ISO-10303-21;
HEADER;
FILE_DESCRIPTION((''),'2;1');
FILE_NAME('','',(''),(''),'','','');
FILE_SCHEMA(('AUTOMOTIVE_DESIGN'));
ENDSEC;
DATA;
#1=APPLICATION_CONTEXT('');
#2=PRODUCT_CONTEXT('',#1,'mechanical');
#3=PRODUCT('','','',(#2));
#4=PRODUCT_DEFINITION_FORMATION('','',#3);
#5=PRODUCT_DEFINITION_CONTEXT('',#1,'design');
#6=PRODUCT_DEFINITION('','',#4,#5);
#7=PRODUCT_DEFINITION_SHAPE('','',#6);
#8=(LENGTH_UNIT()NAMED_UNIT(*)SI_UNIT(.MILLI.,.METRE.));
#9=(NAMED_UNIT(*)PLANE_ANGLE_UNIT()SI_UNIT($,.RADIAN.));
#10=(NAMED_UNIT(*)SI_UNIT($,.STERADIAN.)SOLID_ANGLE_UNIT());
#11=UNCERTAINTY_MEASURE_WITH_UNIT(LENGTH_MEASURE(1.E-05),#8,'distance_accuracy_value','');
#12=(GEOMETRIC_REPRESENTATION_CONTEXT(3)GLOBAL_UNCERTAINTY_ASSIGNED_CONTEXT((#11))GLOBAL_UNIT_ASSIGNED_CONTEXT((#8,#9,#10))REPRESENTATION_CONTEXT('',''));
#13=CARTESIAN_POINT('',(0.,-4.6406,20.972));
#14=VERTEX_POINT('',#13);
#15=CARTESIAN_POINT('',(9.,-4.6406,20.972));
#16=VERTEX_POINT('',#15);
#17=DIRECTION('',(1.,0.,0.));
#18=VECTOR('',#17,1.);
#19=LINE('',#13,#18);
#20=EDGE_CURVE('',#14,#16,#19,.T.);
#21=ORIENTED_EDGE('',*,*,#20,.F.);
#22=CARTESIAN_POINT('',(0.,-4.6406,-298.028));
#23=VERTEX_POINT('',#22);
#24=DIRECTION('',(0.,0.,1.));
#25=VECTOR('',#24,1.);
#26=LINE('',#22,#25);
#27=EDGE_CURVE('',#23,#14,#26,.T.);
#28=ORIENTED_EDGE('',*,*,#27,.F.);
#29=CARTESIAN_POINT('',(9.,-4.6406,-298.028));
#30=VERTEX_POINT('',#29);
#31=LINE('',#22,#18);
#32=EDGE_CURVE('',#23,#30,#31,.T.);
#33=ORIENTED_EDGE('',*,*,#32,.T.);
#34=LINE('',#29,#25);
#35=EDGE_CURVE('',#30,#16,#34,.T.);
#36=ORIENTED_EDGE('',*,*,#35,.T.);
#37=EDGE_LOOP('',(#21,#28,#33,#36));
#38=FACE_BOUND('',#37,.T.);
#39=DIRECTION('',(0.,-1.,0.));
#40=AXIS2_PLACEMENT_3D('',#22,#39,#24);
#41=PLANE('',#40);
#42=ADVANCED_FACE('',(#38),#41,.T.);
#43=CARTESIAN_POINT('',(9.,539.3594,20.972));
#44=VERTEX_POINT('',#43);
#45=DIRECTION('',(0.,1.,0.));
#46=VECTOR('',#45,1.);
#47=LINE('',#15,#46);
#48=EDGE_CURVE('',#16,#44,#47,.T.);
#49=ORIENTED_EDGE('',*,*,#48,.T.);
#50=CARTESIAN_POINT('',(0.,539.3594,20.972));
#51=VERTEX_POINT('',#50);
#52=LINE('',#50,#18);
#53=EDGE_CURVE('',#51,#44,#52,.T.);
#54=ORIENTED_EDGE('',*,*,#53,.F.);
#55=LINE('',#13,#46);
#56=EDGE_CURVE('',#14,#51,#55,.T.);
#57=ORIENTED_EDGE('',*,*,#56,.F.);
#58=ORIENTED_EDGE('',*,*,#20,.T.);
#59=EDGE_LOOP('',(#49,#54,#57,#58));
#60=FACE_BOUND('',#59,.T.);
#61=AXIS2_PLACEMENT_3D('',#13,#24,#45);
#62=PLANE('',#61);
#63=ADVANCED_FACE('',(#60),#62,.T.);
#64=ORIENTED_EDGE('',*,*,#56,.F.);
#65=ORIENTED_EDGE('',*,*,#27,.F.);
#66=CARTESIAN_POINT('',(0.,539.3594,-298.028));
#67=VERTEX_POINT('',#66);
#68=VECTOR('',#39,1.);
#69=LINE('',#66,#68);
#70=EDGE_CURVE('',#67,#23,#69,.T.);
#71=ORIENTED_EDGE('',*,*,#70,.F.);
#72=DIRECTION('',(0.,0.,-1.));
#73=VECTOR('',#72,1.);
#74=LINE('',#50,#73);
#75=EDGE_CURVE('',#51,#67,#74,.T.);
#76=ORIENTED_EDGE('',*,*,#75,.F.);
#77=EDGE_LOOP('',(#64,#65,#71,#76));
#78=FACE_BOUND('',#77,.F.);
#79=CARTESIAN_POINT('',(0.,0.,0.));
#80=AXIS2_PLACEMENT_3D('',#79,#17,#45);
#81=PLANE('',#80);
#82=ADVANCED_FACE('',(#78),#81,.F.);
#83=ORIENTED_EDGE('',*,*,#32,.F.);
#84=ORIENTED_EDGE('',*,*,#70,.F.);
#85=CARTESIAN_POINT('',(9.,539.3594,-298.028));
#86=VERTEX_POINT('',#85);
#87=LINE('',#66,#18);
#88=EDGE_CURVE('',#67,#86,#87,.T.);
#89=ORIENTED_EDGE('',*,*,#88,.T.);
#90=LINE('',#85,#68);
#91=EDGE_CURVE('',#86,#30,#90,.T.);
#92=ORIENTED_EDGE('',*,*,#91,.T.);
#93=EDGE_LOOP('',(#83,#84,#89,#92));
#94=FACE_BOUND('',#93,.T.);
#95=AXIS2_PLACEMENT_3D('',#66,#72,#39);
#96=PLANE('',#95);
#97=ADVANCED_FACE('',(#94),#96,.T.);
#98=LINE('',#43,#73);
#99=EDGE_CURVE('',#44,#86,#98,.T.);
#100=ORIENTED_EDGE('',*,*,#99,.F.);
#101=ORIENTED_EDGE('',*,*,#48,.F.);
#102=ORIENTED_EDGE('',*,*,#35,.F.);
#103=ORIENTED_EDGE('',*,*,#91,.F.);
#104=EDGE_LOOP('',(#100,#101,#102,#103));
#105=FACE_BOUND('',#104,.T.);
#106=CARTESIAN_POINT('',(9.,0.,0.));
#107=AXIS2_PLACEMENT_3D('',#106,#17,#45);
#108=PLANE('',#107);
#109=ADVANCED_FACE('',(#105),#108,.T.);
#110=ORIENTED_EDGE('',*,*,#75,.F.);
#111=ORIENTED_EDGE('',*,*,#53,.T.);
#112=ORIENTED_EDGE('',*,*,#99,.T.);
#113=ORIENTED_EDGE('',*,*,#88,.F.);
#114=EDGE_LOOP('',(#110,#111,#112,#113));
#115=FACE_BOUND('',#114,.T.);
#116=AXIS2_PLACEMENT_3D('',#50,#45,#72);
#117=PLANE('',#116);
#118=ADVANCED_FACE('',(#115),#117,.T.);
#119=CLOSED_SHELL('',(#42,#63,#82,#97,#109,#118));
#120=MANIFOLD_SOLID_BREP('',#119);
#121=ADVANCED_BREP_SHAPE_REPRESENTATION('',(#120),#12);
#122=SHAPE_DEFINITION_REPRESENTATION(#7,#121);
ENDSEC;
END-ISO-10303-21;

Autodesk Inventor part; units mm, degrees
ref_plane "YZ Plane" through (0, 0, 0) normal (1, 0, 0) x (0, 1, 0)
ref_plane "XZ Plane" through (0, 0, 0) normal (0, 1, 0) x (-1, 0, 0)
ref_plane "XY Plane" through (0, 0, 0) normal (0, 0, 1) x (1, 0, 0)
sketch "Sketch1" plane through (0, 0, 0) normal (1, 0, 0) x (0, 1, 0)
  line L0 (-4.6406, 20.972) -> (539.3594, 20.972)
  line L1 (539.3594, 20.972) -> (539.3594, -298.028)
  line L2 (539.3594, -298.028) -> (-4.6406, -298.028)
  line L3 (-4.6406, -298.028) -> (-4.6406, 20.972)
  point P0 (0, 0)
  dimension "d0" = 544
  dimension "d1" = 319
extrude "Extrusion1" add sketch "Sketch1" along normal blind 9
properties part number "monitor" material "ABS Plastic"
